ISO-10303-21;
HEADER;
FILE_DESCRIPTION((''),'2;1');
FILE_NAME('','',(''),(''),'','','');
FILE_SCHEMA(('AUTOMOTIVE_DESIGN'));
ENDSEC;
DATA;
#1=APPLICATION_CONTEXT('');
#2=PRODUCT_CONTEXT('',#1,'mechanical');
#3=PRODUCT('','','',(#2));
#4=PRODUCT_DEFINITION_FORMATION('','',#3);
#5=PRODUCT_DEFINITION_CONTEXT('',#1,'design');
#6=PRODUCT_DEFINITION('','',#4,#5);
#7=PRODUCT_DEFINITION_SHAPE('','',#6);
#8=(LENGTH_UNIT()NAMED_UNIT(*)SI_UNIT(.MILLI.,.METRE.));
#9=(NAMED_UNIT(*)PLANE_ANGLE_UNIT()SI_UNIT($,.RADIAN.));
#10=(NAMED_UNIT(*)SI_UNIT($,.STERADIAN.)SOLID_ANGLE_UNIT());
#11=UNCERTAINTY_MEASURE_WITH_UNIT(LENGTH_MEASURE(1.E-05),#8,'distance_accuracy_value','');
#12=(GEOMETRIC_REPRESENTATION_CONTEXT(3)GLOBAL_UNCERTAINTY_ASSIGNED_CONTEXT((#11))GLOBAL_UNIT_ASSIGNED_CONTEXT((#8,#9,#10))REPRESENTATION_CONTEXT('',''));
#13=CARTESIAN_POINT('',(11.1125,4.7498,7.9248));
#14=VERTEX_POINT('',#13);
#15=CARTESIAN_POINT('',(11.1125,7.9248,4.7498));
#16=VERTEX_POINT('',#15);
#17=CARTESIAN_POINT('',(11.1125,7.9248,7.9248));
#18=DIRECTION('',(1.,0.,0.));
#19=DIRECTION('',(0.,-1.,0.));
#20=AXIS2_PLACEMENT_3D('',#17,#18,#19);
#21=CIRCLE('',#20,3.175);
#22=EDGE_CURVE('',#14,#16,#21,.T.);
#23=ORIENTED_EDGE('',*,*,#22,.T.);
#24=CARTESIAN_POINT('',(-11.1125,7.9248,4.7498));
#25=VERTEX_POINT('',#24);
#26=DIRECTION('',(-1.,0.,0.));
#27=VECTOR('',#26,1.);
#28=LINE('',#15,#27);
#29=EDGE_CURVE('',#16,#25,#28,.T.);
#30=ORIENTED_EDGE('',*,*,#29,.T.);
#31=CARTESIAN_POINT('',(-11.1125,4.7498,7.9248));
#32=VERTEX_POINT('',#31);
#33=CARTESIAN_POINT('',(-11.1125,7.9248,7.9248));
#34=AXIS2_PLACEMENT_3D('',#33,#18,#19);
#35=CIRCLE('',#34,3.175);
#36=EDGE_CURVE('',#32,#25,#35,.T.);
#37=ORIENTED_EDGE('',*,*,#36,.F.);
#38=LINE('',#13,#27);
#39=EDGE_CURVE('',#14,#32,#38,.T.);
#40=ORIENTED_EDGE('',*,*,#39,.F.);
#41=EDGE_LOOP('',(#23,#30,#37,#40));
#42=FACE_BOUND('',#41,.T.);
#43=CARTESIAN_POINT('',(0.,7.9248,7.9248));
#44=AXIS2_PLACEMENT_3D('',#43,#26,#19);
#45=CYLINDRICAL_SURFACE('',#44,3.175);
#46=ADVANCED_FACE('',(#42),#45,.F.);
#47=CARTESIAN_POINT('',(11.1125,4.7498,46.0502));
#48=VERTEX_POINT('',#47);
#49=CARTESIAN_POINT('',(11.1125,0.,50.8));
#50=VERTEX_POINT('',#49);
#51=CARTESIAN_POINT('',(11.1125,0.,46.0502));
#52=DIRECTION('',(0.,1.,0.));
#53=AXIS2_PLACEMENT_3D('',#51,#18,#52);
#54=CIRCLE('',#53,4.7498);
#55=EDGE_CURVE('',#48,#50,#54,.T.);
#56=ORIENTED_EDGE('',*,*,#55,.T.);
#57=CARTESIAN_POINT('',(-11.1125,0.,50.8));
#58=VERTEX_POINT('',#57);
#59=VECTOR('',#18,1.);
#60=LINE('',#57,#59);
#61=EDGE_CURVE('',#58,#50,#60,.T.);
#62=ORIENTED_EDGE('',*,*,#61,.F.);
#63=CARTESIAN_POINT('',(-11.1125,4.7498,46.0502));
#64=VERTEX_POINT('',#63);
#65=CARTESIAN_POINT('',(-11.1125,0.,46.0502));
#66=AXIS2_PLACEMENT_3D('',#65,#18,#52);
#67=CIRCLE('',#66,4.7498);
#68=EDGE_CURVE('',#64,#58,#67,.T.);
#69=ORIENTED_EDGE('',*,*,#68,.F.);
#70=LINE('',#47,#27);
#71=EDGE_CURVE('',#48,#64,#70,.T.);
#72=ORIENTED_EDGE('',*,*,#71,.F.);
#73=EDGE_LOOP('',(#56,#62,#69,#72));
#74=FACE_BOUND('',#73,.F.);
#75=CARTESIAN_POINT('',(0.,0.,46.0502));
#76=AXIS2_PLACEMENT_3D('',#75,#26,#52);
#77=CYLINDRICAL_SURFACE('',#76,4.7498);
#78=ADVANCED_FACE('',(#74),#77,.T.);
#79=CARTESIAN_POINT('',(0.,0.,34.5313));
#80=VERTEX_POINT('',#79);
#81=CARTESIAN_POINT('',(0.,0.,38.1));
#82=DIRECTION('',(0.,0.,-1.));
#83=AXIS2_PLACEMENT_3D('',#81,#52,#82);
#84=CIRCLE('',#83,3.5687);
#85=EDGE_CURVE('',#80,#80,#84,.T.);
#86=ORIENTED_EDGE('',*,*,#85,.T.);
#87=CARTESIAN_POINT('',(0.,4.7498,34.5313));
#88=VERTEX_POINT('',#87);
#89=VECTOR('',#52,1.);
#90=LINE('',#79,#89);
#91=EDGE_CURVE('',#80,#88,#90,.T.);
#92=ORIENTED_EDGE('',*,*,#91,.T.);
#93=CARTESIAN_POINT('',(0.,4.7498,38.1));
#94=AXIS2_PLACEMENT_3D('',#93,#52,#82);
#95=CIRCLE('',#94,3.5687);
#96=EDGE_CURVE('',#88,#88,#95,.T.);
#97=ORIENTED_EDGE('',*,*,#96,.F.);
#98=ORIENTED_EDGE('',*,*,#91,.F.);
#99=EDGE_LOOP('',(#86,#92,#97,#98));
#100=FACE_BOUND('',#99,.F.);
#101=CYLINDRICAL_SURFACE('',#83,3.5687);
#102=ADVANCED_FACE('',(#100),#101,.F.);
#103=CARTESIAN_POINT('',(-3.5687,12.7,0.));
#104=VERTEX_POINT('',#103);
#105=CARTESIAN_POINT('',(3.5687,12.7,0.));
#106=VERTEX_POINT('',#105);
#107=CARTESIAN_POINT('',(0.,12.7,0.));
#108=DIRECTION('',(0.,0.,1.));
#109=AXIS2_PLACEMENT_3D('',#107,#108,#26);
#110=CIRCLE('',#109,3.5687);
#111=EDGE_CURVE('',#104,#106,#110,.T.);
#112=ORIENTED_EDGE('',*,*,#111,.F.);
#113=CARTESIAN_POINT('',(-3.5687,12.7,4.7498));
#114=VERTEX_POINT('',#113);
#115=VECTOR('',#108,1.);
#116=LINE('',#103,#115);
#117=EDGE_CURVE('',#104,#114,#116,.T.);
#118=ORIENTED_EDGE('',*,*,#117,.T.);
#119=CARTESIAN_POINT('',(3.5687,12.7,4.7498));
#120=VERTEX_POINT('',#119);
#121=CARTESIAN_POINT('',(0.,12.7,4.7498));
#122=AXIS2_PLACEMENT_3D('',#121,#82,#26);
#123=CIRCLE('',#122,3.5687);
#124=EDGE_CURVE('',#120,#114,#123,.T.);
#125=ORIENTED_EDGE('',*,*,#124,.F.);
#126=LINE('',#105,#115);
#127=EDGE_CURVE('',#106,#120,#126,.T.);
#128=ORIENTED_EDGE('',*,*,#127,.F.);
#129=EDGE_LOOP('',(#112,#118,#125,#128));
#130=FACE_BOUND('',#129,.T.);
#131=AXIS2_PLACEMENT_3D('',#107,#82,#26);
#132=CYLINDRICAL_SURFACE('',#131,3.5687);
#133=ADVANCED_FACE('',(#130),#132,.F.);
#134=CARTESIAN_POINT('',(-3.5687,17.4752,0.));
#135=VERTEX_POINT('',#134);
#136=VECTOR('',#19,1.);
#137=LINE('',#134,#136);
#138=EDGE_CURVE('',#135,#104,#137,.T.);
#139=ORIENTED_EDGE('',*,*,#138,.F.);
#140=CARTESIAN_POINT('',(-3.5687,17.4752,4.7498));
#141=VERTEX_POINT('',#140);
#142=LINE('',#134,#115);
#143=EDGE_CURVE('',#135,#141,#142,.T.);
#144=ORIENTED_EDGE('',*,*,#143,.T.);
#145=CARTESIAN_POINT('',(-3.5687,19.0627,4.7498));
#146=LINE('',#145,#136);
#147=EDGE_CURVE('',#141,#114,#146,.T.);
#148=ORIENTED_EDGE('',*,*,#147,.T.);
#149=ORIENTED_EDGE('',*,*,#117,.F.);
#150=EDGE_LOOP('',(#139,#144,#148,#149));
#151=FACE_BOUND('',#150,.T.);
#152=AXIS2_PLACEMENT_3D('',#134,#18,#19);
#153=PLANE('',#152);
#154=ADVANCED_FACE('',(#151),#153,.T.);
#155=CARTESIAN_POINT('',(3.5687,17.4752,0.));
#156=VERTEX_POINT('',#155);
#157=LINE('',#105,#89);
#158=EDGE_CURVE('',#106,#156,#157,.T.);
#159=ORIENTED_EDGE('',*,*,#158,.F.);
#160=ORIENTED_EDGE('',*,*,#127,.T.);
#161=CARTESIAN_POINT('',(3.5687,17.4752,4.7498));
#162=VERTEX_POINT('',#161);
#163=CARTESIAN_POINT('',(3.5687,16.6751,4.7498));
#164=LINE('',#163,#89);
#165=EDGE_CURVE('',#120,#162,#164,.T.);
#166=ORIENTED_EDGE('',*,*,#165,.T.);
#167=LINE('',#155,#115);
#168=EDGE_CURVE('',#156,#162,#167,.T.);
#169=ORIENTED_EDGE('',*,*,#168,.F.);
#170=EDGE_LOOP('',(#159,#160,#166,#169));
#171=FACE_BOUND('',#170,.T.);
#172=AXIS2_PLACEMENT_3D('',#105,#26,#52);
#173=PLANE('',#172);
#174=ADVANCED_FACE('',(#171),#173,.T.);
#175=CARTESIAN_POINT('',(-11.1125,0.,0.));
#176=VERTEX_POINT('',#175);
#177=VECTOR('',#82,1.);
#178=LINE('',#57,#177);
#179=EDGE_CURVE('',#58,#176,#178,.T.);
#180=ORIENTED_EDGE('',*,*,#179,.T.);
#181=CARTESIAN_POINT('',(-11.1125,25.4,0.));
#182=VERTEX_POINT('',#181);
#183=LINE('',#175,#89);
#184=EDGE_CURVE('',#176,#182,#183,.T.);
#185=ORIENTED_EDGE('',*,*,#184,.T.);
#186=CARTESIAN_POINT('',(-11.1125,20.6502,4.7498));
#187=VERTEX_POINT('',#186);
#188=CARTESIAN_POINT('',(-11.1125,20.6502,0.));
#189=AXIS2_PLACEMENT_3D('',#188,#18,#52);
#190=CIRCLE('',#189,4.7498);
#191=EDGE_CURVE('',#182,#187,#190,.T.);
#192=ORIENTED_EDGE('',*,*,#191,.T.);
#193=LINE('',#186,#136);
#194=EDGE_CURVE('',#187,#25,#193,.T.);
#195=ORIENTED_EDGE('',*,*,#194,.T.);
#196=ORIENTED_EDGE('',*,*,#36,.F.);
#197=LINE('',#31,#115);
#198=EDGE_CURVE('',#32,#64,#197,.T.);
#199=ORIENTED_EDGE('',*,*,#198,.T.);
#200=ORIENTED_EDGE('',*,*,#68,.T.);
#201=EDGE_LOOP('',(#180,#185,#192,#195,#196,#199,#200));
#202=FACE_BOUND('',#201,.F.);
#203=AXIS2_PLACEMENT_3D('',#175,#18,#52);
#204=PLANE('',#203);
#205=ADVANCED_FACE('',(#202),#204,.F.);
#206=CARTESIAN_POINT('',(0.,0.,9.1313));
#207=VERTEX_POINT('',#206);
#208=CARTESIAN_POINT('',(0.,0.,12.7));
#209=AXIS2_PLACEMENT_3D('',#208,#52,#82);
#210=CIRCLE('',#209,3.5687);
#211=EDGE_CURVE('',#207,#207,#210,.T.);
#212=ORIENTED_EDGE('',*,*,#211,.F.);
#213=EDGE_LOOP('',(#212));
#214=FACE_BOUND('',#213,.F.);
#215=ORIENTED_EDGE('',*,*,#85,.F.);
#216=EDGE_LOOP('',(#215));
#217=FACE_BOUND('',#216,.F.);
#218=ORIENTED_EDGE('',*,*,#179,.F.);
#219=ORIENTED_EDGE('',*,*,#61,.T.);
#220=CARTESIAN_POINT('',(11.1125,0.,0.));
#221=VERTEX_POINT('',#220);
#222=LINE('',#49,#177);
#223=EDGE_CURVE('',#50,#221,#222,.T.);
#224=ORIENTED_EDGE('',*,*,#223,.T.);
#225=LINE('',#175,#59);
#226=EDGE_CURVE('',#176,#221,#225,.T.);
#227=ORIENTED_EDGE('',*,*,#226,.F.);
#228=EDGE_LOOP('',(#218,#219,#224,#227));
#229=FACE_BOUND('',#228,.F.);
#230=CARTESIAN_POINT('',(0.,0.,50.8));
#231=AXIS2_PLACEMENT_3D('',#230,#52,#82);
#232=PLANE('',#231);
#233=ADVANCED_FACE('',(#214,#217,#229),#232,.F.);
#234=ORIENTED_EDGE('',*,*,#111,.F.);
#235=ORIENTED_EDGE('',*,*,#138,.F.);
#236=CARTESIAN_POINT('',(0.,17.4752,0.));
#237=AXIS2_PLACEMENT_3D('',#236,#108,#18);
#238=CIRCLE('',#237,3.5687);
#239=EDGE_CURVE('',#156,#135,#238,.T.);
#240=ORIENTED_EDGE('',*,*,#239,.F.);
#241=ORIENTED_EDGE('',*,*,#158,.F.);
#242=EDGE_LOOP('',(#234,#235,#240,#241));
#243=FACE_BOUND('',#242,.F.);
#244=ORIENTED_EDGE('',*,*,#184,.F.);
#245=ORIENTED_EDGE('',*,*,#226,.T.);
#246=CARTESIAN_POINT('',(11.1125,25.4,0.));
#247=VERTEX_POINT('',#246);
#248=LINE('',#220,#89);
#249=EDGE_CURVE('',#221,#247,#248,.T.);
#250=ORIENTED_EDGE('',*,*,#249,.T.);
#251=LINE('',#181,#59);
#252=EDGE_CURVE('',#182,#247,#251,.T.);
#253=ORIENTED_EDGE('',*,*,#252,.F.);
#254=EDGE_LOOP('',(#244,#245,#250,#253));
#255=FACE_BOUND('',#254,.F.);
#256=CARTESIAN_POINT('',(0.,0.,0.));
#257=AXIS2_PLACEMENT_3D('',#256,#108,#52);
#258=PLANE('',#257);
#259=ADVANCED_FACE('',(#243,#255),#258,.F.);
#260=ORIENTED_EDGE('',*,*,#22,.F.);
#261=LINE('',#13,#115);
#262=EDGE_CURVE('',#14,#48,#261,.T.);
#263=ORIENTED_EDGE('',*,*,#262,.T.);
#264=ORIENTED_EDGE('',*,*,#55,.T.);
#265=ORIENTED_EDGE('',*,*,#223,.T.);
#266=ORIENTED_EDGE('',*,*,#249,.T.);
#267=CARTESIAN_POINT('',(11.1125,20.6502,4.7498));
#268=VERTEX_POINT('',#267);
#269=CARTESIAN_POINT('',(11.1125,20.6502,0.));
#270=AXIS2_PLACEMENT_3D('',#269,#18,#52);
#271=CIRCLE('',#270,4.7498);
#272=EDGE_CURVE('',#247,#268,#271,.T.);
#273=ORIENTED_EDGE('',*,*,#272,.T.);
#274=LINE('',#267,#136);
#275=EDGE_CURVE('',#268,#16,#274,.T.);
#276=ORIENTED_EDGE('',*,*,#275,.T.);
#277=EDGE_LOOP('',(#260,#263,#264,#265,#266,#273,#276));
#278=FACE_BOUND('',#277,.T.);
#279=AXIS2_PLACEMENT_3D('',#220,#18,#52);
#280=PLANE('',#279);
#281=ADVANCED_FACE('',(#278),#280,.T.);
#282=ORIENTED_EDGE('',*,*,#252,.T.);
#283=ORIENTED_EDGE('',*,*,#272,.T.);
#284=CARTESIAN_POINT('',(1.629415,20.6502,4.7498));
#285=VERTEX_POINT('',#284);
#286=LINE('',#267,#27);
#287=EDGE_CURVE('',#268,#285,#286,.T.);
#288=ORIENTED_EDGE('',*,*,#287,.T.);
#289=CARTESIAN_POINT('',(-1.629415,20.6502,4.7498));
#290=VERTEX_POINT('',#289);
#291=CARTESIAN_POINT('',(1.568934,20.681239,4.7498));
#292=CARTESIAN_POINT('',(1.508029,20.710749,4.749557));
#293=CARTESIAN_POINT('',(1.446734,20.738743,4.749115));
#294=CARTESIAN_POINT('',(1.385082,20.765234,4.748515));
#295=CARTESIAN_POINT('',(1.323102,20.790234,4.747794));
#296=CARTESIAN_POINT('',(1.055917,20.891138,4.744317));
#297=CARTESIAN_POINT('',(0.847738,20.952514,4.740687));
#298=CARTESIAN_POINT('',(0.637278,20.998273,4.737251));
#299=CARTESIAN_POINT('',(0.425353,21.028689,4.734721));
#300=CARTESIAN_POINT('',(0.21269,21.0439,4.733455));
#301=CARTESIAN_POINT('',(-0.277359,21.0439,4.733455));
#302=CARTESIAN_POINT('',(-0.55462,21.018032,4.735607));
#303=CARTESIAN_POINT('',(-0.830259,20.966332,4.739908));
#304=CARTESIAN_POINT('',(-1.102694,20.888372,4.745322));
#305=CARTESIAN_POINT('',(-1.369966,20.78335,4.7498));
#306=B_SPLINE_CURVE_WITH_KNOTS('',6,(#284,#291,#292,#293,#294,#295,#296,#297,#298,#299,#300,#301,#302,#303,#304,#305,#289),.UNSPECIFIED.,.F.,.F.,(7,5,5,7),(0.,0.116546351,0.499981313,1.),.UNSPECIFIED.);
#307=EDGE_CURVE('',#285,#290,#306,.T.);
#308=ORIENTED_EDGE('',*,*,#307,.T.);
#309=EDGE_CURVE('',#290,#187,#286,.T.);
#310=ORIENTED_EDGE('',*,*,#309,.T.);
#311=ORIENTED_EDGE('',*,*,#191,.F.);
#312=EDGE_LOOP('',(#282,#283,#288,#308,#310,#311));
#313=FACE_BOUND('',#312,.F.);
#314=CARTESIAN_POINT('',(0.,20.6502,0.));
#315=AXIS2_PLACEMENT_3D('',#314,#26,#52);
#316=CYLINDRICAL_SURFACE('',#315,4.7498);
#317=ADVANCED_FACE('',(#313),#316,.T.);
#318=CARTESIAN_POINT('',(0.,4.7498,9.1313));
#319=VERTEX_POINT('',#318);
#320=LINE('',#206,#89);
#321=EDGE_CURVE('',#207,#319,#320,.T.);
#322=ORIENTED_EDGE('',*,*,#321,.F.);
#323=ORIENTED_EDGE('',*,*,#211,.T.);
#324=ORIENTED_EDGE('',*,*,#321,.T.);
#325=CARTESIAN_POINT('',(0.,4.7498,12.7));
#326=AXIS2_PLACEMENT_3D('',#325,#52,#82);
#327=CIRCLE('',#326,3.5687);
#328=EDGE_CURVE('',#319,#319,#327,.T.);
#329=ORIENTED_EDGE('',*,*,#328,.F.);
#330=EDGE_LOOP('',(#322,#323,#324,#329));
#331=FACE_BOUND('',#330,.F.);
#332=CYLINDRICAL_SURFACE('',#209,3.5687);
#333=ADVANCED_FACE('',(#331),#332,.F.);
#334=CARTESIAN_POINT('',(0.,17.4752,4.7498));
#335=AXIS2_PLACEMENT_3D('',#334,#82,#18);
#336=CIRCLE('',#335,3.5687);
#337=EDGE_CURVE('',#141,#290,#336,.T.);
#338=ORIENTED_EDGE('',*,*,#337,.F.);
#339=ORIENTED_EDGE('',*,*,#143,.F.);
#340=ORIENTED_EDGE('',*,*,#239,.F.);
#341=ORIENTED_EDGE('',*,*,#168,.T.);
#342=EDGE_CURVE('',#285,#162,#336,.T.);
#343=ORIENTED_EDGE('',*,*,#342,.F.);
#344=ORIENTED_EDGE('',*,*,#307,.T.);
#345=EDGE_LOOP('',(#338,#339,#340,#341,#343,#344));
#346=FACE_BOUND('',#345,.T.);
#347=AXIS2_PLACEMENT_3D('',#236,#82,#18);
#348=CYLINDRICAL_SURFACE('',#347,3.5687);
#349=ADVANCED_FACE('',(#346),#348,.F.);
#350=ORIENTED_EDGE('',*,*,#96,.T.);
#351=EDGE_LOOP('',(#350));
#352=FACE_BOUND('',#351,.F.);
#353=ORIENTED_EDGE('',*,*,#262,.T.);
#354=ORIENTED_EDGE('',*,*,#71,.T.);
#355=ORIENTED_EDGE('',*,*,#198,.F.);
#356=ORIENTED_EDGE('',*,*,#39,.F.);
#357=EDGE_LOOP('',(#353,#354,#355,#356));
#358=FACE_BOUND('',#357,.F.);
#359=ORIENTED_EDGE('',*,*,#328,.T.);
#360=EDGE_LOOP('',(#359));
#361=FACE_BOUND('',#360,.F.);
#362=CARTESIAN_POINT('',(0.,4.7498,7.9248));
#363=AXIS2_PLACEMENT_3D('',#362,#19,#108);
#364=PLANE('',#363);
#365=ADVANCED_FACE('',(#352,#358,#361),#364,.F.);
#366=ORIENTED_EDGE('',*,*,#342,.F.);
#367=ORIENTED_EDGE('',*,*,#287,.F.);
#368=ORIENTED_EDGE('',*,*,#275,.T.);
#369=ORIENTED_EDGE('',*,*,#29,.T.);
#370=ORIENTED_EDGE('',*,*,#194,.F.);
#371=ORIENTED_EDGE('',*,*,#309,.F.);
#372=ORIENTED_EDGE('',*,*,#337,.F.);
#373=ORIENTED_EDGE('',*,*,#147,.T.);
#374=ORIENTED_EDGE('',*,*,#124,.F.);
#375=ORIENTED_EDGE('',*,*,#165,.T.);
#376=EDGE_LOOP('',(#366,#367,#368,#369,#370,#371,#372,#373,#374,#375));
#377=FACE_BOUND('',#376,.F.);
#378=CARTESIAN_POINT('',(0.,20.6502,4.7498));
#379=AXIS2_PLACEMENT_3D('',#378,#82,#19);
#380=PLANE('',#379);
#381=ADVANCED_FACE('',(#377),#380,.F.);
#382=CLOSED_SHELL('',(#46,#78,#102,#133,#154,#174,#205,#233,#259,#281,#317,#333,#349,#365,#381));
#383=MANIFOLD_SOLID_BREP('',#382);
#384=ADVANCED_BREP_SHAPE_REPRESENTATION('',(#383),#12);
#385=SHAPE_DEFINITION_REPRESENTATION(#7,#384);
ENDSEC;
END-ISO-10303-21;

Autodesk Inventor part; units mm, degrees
ref_plane "YZ Plane" through (0, 0, 0) normal (1, 0, 0) x (0, 1, 0)
ref_plane "XZ Plane" through (0, 0, 0) normal (0, 1, 0) x (-1, 0, 0)
ref_plane "XY Plane" through (0, 0, 0) normal (0, 0, 1) x (1, 0, 0)
sketch "Sketch_1" plane through (0, 0, 0) normal (1, 0, 0) x (0, 1, 0)
  line L0 (0, 50.8) -> (0, 0)
  line L1 (0, 0) -> (25.4, 0)
  arc A0 (25.4, 0) -> (20.6502, 4.7498) centre (20.6502, 0) ccw
  line L2 (20.6502, 4.7498) -> (7.9248, 4.7498)
  arc A1 (4.7498, 7.9248) -> (7.9248, 4.7498) centre (7.9248, 7.9248) ccw
  line L3 (4.7498, 7.9248) -> (4.7498, 46.0502)
  arc A2 (4.7498, 46.0502) -> (0, 50.8) centre (0, 46.0502) ccw
extrude "Extrusion1" add sketch "Sketch_1" along normal mid plane 22.225
sketch "Sketch_2" plane through (0, 0, 0) normal (0, 0, 1) x (1, 0, 0)
  arc A0 (-3.5687, 12.7) -> (3.5687, 12.7) centre (0, 12.7) ccw
  line L0 (3.5687, 12.7) -> (3.5687, 17.4752)
  arc A1 (3.5687, 17.4752) -> (-3.5687, 17.4752) centre (0, 17.4752) ccw
  line L1 (-3.5687, 17.4752) -> (-3.5687, 12.7)
extrude "Extrusion2" cut sketch "Sketch_2" along normal blind 7.9248
sketch "Sketch3" plane through (-11.1125, 0, 50.8) normal (0, -1, 0) x (1, 0, 0)
  point P0 (11.1125, -38.1)
hole "Hole1" at (0, 0, 12.7) direction (0, 1, 0) diameter 7.1374 depth 7.9248
sketch "Sketch4" plane through (-11.1125, 0, 50.8) normal (0, -1, 0) x (1, 0, 0)
  point P0 (11.1125, -12.7)
hole "Hole2" at (0, 0, 38.1) direction (0, 1, 0) diameter 7.1374 depth 7.9248
properties part number "4250"
